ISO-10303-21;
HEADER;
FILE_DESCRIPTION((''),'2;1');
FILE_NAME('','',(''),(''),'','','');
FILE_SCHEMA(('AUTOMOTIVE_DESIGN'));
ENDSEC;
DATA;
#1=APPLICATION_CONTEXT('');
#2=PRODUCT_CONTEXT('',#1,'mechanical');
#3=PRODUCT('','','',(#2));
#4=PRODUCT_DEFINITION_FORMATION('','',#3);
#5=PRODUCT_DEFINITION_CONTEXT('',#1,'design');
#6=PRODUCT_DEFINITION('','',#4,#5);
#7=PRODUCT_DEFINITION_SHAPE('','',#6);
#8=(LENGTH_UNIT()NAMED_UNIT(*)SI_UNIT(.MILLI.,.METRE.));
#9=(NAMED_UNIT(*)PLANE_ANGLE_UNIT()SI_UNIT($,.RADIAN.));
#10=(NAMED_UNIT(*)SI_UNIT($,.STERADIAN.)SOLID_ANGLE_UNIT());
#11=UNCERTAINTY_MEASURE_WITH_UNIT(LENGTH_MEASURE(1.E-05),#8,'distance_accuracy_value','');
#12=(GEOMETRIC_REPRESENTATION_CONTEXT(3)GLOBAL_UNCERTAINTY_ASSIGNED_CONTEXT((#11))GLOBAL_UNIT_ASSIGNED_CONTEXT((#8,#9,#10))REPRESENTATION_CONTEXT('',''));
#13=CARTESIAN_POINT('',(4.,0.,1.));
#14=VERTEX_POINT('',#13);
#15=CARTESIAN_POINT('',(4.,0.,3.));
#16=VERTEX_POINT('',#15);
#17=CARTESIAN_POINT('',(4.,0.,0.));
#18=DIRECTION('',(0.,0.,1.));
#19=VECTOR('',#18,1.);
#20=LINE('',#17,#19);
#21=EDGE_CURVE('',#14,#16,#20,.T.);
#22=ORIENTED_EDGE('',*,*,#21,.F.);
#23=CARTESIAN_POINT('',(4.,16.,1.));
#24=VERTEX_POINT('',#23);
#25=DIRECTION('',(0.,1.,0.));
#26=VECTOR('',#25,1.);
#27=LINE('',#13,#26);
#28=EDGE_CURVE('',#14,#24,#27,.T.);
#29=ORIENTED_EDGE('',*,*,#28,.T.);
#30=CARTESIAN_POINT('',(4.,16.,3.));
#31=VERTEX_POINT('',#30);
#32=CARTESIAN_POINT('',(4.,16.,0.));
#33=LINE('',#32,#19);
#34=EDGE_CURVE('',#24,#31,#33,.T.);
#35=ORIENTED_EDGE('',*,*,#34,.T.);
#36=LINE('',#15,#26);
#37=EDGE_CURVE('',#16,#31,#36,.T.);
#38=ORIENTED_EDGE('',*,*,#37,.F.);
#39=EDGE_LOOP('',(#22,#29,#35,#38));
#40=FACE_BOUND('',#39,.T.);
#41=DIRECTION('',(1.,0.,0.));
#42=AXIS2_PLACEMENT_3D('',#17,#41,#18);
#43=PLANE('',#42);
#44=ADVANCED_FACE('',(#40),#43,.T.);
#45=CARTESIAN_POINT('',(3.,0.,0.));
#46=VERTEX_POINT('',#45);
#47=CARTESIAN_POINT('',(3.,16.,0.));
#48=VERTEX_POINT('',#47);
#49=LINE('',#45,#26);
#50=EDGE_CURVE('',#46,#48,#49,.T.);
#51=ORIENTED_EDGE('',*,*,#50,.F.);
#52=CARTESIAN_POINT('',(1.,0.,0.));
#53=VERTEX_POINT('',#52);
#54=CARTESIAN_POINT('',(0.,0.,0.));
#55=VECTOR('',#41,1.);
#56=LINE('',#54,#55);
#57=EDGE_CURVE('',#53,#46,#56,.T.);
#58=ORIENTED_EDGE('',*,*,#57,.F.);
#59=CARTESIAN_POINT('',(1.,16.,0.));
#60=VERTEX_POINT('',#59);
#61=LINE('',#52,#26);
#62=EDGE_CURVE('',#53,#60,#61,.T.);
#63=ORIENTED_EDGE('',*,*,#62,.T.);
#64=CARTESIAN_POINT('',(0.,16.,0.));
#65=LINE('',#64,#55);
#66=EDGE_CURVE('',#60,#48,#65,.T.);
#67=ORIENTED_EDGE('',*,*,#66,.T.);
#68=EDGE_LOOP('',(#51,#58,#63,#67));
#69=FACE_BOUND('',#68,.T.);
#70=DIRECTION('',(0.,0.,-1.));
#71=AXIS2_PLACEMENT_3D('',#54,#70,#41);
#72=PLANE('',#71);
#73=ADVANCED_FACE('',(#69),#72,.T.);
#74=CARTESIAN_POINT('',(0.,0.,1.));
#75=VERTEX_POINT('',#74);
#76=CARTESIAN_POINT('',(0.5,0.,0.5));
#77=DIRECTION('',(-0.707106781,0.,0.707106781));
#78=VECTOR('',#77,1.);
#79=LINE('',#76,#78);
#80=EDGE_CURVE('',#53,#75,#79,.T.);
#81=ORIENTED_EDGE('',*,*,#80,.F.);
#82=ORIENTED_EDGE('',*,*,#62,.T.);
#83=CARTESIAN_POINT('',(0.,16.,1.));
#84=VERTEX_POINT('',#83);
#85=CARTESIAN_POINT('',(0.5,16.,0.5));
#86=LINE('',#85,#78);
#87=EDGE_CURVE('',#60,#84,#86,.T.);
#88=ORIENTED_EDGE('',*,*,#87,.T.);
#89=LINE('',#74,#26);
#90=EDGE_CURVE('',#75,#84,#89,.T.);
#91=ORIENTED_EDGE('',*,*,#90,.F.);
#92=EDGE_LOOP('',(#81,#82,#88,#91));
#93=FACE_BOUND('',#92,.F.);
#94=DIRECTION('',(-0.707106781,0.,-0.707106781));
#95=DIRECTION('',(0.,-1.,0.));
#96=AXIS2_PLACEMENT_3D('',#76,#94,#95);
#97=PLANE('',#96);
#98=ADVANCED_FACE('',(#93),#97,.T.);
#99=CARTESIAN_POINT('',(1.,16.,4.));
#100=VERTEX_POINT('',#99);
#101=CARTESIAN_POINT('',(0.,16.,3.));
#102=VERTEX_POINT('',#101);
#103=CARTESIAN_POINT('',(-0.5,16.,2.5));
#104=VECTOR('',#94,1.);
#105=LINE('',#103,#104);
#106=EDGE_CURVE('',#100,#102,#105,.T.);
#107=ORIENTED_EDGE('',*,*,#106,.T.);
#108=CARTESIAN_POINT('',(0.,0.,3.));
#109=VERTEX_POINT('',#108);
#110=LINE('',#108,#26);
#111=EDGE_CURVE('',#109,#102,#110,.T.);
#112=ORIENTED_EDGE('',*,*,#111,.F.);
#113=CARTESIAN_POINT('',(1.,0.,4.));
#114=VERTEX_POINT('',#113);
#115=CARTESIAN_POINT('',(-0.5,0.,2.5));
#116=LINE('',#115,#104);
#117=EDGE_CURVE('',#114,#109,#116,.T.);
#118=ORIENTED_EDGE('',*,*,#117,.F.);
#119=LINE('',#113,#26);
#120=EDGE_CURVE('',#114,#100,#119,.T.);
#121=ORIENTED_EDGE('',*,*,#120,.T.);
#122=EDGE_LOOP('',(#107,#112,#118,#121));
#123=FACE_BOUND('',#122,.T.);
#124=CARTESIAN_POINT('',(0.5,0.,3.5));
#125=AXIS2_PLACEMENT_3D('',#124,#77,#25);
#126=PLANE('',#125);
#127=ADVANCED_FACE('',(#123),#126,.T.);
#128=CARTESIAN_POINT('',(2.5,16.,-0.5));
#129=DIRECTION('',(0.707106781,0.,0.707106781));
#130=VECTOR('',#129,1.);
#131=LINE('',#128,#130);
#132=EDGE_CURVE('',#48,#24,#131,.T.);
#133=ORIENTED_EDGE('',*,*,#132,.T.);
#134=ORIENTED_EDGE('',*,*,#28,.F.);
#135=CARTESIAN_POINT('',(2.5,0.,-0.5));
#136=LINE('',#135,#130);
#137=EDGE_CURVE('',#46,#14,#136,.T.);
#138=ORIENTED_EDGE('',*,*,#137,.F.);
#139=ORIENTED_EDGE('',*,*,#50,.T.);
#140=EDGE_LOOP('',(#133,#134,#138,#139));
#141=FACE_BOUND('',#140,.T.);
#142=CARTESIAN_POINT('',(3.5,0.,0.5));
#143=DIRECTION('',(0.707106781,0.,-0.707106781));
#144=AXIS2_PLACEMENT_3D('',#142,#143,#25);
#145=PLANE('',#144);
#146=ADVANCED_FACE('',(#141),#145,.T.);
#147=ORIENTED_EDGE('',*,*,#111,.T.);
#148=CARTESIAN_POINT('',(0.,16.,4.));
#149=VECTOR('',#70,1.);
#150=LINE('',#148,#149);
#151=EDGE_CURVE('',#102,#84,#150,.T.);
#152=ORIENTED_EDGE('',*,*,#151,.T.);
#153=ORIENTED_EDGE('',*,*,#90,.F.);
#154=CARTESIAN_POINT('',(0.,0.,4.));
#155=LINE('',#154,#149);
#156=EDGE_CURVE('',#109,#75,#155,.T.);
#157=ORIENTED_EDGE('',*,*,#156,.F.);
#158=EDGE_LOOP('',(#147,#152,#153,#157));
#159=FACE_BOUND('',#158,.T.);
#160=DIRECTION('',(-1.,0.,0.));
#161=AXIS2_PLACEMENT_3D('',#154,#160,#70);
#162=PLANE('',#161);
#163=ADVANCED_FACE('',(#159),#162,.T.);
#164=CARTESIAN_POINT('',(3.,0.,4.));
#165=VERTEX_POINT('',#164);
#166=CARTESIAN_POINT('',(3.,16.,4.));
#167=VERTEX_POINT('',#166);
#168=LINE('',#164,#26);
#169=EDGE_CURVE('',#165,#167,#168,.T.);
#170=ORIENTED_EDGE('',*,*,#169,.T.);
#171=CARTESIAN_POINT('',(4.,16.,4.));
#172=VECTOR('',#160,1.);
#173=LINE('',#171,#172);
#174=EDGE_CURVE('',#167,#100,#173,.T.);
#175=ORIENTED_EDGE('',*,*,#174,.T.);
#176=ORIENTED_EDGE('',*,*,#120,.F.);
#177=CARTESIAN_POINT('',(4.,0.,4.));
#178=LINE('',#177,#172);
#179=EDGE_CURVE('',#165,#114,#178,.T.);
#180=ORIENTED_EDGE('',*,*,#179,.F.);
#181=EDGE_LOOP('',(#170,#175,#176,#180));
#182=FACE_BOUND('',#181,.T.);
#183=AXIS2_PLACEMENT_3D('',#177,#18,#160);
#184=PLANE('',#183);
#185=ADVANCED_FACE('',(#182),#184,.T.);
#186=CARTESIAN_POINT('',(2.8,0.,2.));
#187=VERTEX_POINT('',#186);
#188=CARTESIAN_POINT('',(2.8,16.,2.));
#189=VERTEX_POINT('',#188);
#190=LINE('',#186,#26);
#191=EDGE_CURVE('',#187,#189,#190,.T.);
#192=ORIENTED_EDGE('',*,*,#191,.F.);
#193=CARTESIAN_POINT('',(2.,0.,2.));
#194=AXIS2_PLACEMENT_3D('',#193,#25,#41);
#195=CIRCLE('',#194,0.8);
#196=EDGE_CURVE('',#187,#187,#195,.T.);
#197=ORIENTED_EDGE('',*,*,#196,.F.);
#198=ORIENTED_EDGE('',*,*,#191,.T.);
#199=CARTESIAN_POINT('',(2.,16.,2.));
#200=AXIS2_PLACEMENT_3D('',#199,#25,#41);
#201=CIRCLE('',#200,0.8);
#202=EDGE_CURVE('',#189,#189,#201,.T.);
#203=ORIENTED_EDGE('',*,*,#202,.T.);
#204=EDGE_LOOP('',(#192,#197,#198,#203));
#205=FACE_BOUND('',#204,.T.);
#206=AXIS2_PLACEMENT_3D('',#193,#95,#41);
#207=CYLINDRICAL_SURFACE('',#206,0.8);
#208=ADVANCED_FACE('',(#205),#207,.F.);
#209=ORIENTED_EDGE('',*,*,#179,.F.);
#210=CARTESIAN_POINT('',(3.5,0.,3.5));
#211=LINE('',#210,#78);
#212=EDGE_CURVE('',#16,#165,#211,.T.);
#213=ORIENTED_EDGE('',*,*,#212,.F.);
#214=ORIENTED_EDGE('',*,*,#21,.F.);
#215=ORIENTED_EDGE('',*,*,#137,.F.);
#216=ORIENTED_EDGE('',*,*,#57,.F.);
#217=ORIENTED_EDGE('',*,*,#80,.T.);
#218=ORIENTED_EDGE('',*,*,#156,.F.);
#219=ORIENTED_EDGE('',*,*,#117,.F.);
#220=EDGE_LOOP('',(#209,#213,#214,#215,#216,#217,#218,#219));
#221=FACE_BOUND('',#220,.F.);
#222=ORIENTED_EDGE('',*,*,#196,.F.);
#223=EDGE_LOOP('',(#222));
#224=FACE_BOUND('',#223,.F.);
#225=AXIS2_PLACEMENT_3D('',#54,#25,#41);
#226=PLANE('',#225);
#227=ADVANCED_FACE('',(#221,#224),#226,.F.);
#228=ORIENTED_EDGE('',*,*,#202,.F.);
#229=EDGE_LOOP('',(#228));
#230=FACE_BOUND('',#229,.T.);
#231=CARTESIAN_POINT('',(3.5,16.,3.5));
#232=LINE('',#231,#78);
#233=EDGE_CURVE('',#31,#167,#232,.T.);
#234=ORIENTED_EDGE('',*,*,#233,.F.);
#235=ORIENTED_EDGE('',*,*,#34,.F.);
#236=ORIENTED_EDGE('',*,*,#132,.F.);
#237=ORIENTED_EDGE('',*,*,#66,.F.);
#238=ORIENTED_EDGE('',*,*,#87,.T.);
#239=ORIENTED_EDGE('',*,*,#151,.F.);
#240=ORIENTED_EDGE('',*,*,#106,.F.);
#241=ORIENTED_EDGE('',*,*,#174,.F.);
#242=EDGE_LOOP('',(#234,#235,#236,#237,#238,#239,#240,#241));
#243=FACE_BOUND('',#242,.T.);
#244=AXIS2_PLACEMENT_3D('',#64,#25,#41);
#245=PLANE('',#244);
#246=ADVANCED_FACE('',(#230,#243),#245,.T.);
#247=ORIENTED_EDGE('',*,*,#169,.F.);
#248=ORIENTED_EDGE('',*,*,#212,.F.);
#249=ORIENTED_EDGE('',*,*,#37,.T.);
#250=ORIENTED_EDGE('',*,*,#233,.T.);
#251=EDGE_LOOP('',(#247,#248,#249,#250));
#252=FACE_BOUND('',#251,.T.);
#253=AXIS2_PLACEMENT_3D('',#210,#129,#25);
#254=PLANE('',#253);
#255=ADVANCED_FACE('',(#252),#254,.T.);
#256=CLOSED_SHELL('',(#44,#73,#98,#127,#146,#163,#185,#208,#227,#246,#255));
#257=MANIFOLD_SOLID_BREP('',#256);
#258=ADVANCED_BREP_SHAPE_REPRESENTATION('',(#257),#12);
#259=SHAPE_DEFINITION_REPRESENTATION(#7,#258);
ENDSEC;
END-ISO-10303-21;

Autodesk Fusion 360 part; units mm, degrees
sketch "Sketch1" plane through (0, 0, 0) normal (0, 1, 0) x (1, 0, 0)
  line L0 (0, 0) -> (4, 0)
  line L1 (4, 0) -> (4, -4)
  line L2 (4, -4) -> (0, -4)
  line L3 (0, -4) -> (0, 0)
  circle A0 centre (2, -2) radius 0.8
  dimension "d1" = 4
  dimension "d2" = 4
  dimension "BORE" = 1.6
  dimension "d4" = 2
  dimension "d5" = 2
extrude "Extrude1" add sketch "Sketch1" along normal blind 16
chamfer "Chamfer1" distance 1 angle 45 4 edges at (4, 8, 4) (0, 8, 4) (0, 8, 0) (4, 8, 0)
